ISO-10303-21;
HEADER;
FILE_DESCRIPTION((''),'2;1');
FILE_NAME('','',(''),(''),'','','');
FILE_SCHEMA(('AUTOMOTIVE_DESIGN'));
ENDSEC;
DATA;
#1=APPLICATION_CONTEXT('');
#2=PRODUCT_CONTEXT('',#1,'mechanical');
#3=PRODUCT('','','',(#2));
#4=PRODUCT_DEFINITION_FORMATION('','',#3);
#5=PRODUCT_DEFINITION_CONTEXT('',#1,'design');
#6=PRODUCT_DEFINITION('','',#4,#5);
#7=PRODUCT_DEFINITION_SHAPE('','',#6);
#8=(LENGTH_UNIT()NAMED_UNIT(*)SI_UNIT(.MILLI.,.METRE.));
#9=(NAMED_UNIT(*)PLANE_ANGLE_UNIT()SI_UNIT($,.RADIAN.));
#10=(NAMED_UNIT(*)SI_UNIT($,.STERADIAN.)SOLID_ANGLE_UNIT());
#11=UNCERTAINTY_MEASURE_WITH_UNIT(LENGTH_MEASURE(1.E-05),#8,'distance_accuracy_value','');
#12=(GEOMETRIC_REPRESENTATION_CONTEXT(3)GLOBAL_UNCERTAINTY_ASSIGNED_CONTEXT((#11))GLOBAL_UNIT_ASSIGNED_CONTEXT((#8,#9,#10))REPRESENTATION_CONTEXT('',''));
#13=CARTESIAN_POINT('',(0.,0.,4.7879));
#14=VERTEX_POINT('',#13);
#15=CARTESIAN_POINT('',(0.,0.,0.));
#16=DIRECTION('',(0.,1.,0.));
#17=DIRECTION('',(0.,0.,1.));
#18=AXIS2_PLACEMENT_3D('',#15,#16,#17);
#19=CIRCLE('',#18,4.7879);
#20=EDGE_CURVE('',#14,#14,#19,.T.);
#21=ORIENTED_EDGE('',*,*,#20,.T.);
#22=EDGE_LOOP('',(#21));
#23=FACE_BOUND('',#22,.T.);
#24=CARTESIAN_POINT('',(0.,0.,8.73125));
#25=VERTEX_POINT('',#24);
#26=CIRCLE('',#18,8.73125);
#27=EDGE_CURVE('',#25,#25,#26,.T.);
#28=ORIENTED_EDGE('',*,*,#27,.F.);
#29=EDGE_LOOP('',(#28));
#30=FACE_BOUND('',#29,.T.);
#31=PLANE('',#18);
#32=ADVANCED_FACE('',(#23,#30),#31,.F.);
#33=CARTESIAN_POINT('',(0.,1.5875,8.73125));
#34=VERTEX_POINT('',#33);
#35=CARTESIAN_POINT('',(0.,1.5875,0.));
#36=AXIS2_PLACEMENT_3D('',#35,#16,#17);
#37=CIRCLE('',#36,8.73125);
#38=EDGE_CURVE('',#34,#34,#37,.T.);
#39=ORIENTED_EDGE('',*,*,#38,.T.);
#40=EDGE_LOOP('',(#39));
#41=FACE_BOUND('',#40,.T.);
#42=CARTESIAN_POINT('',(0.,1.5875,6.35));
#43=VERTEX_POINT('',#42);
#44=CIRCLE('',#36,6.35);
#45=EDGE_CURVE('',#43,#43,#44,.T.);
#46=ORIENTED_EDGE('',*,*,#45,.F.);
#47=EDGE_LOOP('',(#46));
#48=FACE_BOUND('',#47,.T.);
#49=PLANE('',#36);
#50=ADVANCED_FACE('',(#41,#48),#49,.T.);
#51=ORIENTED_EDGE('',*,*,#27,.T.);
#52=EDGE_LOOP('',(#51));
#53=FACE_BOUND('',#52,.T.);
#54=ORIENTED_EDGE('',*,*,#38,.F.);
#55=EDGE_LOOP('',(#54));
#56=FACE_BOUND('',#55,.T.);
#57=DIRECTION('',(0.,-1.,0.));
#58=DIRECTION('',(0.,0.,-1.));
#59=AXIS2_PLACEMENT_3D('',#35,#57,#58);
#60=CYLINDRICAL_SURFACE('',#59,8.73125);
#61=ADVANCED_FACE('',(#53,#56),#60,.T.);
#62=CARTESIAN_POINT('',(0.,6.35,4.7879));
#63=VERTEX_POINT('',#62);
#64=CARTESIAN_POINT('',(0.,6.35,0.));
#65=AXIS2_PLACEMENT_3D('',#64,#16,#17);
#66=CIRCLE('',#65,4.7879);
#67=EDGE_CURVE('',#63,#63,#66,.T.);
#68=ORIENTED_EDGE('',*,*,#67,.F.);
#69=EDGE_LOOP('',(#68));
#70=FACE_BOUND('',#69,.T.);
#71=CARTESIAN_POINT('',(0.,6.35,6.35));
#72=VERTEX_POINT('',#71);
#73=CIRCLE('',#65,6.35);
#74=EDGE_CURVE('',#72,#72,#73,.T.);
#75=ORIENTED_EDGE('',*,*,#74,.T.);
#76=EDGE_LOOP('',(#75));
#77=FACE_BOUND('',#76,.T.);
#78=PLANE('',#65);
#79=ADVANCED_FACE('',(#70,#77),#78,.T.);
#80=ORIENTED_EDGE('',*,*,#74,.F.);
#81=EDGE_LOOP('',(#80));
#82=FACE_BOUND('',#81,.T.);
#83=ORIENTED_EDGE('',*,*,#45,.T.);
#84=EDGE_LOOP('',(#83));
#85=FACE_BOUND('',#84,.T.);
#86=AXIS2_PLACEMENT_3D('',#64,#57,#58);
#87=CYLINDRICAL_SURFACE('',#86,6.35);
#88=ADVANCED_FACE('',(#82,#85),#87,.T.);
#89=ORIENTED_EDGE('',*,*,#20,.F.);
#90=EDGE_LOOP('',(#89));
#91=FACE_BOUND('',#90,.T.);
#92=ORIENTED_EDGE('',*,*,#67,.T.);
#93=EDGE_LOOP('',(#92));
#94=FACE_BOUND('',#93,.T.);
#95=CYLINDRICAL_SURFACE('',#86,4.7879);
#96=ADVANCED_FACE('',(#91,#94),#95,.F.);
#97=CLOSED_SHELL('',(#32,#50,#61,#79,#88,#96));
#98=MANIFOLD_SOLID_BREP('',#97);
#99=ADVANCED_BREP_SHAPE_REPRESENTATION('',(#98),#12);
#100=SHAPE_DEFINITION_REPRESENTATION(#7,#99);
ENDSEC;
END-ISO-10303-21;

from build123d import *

# Parameters (mm, degrees)
SKETCH2_R           = 6.35
SKETCH2_R_2         = 4.7879
BOSS_EXTRUDE1_DEPTH = 6.35
SKETCH3_R           = 8.73125
SKETCH3_R_2         = 6.35
BOSS_EXTRUDE2_DEPTH = 1.5875


with BuildPart() as part:
    # Sketch2 → Boss-Extrude1 (new body)
    with BuildSketch(Plane(origin=(0, 0, 0), x_dir=(1, 0, 0), z_dir=(0, 1, 0))):
        Circle(SKETCH2_R)
        Circle(SKETCH2_R_2, mode=Mode.SUBTRACT)
    extrude(amount=BOSS_EXTRUDE1_DEPTH)

    # Sketch3 → Boss-Extrude2 (add)
    with BuildSketch(Plane(origin=(0, 0, 0), x_dir=(1, 0, 0), z_dir=(0, 1, 0))):
        Circle(SKETCH3_R)
        Circle(SKETCH3_R_2, mode=Mode.SUBTRACT)
    extrude(amount=BOSS_EXTRUDE2_DEPTH)


solid = part.part
